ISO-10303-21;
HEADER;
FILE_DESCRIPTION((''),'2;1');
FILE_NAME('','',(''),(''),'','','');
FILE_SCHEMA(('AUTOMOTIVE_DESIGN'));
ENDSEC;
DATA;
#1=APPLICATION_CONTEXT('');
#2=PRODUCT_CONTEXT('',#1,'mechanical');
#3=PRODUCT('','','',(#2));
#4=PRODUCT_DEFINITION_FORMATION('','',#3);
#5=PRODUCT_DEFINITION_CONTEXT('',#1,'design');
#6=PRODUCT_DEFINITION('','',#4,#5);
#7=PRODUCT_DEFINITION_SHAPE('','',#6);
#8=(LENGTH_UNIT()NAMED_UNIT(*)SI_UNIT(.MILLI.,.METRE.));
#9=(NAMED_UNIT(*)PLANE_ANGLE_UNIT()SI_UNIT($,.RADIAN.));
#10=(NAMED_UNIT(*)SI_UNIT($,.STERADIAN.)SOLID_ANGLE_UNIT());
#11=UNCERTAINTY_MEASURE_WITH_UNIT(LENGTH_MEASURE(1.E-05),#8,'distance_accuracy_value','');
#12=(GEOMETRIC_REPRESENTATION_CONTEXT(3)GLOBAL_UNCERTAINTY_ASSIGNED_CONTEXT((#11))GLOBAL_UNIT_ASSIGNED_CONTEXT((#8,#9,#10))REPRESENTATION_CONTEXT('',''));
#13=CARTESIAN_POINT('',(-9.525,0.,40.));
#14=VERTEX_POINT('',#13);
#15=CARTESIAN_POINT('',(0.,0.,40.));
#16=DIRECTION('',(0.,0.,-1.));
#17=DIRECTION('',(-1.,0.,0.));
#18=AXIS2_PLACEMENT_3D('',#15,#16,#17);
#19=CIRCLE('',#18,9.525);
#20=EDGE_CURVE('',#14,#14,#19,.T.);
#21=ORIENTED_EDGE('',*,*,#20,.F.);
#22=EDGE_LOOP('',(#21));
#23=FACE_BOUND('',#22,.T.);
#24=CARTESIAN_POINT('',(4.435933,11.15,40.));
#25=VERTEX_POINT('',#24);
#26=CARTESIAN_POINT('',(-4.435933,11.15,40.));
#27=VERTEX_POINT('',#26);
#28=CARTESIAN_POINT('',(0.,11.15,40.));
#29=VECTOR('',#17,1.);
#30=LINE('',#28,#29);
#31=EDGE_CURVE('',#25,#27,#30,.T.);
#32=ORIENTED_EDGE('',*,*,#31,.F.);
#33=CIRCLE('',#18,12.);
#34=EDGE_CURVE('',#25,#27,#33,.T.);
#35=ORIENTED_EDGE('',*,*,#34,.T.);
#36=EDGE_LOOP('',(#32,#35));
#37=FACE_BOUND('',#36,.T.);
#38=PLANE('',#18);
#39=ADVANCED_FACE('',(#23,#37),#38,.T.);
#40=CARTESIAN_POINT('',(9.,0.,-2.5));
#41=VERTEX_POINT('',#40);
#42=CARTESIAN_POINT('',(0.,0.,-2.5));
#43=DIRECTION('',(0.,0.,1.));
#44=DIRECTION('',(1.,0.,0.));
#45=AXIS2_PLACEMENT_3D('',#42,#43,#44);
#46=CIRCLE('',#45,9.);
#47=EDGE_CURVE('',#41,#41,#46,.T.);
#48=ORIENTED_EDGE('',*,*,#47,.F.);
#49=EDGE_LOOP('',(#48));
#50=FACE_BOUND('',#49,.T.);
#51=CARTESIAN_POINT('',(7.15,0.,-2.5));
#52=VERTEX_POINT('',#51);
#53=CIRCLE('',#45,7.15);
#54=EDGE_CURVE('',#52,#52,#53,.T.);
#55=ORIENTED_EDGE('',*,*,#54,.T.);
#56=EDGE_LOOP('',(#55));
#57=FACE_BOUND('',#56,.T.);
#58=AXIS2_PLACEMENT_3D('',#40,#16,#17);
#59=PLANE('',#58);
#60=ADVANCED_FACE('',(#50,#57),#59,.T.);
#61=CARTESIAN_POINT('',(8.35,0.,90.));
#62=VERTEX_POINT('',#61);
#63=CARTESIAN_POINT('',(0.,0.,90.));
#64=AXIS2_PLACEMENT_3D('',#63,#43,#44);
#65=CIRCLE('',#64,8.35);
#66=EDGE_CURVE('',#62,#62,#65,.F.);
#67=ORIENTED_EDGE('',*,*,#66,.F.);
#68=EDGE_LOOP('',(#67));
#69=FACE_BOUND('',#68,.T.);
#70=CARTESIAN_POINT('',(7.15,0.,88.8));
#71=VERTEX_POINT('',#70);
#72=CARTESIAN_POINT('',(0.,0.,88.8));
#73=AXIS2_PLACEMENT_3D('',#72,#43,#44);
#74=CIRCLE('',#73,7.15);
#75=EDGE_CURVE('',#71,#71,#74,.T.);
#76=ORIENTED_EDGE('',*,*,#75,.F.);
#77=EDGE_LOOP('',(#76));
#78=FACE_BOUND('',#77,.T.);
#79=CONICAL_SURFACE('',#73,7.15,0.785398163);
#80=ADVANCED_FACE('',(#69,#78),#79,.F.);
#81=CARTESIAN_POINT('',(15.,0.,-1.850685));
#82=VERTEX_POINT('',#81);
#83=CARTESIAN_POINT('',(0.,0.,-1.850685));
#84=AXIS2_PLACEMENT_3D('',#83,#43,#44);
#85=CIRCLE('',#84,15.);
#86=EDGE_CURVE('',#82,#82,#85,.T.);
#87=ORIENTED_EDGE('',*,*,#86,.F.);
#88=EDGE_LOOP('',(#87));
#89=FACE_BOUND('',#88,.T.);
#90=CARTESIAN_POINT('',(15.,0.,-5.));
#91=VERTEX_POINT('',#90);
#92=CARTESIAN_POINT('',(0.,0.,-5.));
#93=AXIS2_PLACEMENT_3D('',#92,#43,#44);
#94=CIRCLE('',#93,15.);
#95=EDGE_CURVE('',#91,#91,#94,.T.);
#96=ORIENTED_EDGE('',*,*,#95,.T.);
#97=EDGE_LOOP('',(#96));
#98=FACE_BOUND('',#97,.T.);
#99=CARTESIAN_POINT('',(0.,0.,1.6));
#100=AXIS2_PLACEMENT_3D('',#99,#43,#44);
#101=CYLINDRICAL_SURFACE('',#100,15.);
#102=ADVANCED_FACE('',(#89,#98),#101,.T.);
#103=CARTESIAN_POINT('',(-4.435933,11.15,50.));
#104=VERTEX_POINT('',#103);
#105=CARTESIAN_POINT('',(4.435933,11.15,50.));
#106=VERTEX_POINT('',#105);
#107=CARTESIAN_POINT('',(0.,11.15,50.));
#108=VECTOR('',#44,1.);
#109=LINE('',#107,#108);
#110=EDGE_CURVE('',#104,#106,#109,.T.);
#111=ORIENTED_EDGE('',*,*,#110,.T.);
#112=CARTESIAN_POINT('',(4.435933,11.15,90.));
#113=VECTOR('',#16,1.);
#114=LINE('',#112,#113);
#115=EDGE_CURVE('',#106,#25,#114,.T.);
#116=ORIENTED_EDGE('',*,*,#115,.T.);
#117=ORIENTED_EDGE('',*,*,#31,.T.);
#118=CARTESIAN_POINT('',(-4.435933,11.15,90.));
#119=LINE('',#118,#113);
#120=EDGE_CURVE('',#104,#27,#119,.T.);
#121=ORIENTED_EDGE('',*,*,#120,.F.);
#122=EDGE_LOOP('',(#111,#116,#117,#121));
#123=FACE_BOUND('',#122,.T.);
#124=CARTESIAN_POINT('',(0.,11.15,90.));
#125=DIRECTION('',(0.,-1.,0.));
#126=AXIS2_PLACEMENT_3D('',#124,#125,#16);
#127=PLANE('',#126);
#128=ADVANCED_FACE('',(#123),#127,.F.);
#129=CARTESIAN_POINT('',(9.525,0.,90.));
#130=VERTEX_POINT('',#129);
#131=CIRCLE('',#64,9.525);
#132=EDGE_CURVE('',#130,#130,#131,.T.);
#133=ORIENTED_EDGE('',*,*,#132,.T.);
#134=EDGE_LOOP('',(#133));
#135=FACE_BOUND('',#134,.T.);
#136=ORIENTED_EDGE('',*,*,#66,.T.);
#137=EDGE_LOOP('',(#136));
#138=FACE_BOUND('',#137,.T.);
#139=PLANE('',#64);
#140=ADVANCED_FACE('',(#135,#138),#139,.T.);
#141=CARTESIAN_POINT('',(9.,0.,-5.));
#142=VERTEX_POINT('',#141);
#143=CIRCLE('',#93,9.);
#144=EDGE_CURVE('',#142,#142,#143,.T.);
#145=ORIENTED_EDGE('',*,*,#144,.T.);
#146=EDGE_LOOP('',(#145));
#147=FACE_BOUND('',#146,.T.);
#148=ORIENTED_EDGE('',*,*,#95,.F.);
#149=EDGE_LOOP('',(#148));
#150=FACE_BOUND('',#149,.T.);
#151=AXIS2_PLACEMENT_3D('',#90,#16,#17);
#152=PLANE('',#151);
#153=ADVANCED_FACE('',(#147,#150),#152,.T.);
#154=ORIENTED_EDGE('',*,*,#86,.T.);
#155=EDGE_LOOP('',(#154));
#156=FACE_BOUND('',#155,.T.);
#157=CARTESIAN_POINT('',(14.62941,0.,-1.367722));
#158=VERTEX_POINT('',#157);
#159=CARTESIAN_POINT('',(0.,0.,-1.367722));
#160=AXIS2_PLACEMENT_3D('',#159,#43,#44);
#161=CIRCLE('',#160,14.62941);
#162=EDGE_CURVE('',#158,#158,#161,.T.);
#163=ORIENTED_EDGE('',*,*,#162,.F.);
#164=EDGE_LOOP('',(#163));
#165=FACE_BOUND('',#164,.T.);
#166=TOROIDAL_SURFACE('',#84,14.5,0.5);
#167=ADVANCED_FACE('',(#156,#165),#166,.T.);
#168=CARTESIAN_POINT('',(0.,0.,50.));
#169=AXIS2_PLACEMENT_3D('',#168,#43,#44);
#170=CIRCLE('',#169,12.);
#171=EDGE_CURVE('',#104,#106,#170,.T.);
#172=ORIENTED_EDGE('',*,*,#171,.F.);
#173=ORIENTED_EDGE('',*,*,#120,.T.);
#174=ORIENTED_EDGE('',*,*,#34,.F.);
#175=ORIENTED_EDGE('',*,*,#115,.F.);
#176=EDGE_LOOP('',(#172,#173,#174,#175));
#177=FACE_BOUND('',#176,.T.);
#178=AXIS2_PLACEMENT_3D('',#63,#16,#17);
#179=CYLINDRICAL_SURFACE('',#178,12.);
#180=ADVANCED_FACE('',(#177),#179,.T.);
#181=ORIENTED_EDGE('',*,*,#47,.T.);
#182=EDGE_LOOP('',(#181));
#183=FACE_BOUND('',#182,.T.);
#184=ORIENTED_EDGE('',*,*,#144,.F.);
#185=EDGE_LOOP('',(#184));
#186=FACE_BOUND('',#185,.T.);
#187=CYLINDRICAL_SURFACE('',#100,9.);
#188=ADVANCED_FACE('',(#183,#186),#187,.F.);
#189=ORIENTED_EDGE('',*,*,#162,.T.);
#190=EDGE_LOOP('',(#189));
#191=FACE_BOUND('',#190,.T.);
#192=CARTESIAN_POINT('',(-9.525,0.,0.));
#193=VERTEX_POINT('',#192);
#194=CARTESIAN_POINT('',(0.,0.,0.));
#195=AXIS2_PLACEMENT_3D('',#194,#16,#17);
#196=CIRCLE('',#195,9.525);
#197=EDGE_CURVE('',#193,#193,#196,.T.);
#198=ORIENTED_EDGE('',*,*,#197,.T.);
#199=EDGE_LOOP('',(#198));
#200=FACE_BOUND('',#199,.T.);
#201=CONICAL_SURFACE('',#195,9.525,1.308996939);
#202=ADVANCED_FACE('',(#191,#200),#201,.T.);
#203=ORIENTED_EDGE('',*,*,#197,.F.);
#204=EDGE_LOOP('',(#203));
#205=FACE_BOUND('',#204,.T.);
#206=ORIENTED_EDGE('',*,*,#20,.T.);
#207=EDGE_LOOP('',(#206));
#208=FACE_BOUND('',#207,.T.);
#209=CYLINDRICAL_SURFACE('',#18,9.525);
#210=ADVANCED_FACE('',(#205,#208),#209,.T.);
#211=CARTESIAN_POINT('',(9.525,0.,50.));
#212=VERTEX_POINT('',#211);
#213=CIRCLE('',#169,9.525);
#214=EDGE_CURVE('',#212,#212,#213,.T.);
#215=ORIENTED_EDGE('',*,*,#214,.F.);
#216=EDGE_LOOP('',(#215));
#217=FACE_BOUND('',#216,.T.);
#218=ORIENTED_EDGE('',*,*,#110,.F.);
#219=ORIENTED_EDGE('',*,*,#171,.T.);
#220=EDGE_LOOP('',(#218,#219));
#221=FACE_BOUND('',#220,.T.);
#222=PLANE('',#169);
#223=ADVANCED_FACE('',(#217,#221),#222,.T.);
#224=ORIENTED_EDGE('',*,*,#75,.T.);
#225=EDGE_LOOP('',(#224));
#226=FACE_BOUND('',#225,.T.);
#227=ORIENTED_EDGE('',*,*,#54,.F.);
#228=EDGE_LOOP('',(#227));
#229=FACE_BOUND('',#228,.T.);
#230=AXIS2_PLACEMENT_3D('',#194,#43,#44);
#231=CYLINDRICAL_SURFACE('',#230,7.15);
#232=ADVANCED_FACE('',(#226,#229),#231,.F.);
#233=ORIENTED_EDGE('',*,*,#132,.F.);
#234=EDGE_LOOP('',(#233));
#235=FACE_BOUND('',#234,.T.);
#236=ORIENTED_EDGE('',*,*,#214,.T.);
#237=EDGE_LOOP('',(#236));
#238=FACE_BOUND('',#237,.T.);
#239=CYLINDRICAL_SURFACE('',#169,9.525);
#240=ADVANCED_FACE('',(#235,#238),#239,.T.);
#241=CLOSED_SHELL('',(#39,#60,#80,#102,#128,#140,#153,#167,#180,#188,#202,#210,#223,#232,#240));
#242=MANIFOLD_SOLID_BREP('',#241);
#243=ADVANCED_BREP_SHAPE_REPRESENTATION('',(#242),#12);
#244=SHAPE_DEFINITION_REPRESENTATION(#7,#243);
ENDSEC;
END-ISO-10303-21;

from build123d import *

# Parameters (mm, degrees)
SKETCH1_R           = 12
BOSS_EXTRUDE1_DEPTH = 90
SKETCH3_OUTSIDE_W   = 45.238
SKETCH3_OUTSIDE_H   = 45.238
SKETCH3_OUTSIDE_R   = 9.525
CUT_EXTRUDE1_DEPTH  = 40
SKETCH4_OUTSIDE_W   = 45.238
SKETCH4_OUTSIDE_H   = 45.238
SKETCH4_OUTSIDE_R   = 9.525
CUT_EXTRUDE2_DEPTH  = 40
SKETCH6_R           = 7.15
CUT_EXTRUDE3_DEPTH  = 91
CHAMFER1_SIZE       = 1.2
CUT_EXTRUDE4_DEPTH  = 91


with BuildPart() as part:
    # Sketch1 → Boss-Extrude1 (new body)
    with BuildSketch(Plane.XY):
        Circle(SKETCH1_R)
    extrude(amount=BOSS_EXTRUDE1_DEPTH)

    # Sketch3 outside → Cut-Extrude1 (cut)
    with BuildSketch(Plane.XY.offset(90)):
        Rectangle(SKETCH3_OUTSIDE_W, SKETCH3_OUTSIDE_H)
        Circle(SKETCH3_OUTSIDE_R, mode=Mode.SUBTRACT)
    extrude(amount=-CUT_EXTRUDE1_DEPTH, mode=Mode.SUBTRACT)

    # Sketch4 outside → Cut-Extrude2 (cut)
    with BuildSketch(Plane(origin=(0, 0, 0), x_dir=(-1, 0, 0), z_dir=(0, 0, -1))):
        Rectangle(SKETCH4_OUTSIDE_W, SKETCH4_OUTSIDE_H)
        Circle(SKETCH4_OUTSIDE_R, mode=Mode.SUBTRACT)
    extrude(amount=-CUT_EXTRUDE2_DEPTH, mode=Mode.SUBTRACT)

    # Sketch6 → Cut-Extrude3 (cut, through all)
    with BuildSketch(Plane.XY.offset(90)):
        Circle(SKETCH6_R)
    extrude(amount=-CUT_EXTRUDE3_DEPTH, mode=Mode.SUBTRACT)

    # Chamfer1
    chamfer1_edges = [part.edges().sort_by_distance(p)[0] for p in [
        (-7.15, 0, 90),
    ]]
    chamfer(chamfer1_edges, length=CHAMFER1_SIZE)

    # Sketch7 → Cut-Extrude4 (cut, through all)
    with BuildSketch(Plane(origin=(0, 0, 0), x_dir=(-1, 0, 0), z_dir=(0, 0, -1))):
        Polygon((0, 11.15), (-4.435932822, 11.15), (-4.435932822, 13.87296042), (4.435932822, 13.87296042), (4.435932822, 11.15), align=None)
    extrude(amount=-CUT_EXTRUDE4_DEPTH, mode=Mode.SUBTRACT)

    # Sketch10 → Revolve1 (revolve)
    with BuildSketch(Plane(origin=(0, 0, 0), x_dir=(1, 0, 0), z_dir=(0, 1, 0))):
        with BuildLine():
            Line((9.525, 0), (14.629409523, 1.367722409))
            ThreePointArc((14.629409523, 1.367722409), (14.89667667, 1.546304608), (15, 1.850685323))
            Line((15, 1.850685323), (15, 5))
            Line((15, 5), (9, 5))
            Line((9, 5), (9, 2.5))
            Line((9, 2.5), (7.15, 2.5))
            Line((7.15, 2.5), (7.15, 0))
            Line((7.15, 0), (9.525, 0))
        make_face()
    revolve(axis=Axis((0, 0, 1.6), (0, 0, -1)))


solid = part.part
